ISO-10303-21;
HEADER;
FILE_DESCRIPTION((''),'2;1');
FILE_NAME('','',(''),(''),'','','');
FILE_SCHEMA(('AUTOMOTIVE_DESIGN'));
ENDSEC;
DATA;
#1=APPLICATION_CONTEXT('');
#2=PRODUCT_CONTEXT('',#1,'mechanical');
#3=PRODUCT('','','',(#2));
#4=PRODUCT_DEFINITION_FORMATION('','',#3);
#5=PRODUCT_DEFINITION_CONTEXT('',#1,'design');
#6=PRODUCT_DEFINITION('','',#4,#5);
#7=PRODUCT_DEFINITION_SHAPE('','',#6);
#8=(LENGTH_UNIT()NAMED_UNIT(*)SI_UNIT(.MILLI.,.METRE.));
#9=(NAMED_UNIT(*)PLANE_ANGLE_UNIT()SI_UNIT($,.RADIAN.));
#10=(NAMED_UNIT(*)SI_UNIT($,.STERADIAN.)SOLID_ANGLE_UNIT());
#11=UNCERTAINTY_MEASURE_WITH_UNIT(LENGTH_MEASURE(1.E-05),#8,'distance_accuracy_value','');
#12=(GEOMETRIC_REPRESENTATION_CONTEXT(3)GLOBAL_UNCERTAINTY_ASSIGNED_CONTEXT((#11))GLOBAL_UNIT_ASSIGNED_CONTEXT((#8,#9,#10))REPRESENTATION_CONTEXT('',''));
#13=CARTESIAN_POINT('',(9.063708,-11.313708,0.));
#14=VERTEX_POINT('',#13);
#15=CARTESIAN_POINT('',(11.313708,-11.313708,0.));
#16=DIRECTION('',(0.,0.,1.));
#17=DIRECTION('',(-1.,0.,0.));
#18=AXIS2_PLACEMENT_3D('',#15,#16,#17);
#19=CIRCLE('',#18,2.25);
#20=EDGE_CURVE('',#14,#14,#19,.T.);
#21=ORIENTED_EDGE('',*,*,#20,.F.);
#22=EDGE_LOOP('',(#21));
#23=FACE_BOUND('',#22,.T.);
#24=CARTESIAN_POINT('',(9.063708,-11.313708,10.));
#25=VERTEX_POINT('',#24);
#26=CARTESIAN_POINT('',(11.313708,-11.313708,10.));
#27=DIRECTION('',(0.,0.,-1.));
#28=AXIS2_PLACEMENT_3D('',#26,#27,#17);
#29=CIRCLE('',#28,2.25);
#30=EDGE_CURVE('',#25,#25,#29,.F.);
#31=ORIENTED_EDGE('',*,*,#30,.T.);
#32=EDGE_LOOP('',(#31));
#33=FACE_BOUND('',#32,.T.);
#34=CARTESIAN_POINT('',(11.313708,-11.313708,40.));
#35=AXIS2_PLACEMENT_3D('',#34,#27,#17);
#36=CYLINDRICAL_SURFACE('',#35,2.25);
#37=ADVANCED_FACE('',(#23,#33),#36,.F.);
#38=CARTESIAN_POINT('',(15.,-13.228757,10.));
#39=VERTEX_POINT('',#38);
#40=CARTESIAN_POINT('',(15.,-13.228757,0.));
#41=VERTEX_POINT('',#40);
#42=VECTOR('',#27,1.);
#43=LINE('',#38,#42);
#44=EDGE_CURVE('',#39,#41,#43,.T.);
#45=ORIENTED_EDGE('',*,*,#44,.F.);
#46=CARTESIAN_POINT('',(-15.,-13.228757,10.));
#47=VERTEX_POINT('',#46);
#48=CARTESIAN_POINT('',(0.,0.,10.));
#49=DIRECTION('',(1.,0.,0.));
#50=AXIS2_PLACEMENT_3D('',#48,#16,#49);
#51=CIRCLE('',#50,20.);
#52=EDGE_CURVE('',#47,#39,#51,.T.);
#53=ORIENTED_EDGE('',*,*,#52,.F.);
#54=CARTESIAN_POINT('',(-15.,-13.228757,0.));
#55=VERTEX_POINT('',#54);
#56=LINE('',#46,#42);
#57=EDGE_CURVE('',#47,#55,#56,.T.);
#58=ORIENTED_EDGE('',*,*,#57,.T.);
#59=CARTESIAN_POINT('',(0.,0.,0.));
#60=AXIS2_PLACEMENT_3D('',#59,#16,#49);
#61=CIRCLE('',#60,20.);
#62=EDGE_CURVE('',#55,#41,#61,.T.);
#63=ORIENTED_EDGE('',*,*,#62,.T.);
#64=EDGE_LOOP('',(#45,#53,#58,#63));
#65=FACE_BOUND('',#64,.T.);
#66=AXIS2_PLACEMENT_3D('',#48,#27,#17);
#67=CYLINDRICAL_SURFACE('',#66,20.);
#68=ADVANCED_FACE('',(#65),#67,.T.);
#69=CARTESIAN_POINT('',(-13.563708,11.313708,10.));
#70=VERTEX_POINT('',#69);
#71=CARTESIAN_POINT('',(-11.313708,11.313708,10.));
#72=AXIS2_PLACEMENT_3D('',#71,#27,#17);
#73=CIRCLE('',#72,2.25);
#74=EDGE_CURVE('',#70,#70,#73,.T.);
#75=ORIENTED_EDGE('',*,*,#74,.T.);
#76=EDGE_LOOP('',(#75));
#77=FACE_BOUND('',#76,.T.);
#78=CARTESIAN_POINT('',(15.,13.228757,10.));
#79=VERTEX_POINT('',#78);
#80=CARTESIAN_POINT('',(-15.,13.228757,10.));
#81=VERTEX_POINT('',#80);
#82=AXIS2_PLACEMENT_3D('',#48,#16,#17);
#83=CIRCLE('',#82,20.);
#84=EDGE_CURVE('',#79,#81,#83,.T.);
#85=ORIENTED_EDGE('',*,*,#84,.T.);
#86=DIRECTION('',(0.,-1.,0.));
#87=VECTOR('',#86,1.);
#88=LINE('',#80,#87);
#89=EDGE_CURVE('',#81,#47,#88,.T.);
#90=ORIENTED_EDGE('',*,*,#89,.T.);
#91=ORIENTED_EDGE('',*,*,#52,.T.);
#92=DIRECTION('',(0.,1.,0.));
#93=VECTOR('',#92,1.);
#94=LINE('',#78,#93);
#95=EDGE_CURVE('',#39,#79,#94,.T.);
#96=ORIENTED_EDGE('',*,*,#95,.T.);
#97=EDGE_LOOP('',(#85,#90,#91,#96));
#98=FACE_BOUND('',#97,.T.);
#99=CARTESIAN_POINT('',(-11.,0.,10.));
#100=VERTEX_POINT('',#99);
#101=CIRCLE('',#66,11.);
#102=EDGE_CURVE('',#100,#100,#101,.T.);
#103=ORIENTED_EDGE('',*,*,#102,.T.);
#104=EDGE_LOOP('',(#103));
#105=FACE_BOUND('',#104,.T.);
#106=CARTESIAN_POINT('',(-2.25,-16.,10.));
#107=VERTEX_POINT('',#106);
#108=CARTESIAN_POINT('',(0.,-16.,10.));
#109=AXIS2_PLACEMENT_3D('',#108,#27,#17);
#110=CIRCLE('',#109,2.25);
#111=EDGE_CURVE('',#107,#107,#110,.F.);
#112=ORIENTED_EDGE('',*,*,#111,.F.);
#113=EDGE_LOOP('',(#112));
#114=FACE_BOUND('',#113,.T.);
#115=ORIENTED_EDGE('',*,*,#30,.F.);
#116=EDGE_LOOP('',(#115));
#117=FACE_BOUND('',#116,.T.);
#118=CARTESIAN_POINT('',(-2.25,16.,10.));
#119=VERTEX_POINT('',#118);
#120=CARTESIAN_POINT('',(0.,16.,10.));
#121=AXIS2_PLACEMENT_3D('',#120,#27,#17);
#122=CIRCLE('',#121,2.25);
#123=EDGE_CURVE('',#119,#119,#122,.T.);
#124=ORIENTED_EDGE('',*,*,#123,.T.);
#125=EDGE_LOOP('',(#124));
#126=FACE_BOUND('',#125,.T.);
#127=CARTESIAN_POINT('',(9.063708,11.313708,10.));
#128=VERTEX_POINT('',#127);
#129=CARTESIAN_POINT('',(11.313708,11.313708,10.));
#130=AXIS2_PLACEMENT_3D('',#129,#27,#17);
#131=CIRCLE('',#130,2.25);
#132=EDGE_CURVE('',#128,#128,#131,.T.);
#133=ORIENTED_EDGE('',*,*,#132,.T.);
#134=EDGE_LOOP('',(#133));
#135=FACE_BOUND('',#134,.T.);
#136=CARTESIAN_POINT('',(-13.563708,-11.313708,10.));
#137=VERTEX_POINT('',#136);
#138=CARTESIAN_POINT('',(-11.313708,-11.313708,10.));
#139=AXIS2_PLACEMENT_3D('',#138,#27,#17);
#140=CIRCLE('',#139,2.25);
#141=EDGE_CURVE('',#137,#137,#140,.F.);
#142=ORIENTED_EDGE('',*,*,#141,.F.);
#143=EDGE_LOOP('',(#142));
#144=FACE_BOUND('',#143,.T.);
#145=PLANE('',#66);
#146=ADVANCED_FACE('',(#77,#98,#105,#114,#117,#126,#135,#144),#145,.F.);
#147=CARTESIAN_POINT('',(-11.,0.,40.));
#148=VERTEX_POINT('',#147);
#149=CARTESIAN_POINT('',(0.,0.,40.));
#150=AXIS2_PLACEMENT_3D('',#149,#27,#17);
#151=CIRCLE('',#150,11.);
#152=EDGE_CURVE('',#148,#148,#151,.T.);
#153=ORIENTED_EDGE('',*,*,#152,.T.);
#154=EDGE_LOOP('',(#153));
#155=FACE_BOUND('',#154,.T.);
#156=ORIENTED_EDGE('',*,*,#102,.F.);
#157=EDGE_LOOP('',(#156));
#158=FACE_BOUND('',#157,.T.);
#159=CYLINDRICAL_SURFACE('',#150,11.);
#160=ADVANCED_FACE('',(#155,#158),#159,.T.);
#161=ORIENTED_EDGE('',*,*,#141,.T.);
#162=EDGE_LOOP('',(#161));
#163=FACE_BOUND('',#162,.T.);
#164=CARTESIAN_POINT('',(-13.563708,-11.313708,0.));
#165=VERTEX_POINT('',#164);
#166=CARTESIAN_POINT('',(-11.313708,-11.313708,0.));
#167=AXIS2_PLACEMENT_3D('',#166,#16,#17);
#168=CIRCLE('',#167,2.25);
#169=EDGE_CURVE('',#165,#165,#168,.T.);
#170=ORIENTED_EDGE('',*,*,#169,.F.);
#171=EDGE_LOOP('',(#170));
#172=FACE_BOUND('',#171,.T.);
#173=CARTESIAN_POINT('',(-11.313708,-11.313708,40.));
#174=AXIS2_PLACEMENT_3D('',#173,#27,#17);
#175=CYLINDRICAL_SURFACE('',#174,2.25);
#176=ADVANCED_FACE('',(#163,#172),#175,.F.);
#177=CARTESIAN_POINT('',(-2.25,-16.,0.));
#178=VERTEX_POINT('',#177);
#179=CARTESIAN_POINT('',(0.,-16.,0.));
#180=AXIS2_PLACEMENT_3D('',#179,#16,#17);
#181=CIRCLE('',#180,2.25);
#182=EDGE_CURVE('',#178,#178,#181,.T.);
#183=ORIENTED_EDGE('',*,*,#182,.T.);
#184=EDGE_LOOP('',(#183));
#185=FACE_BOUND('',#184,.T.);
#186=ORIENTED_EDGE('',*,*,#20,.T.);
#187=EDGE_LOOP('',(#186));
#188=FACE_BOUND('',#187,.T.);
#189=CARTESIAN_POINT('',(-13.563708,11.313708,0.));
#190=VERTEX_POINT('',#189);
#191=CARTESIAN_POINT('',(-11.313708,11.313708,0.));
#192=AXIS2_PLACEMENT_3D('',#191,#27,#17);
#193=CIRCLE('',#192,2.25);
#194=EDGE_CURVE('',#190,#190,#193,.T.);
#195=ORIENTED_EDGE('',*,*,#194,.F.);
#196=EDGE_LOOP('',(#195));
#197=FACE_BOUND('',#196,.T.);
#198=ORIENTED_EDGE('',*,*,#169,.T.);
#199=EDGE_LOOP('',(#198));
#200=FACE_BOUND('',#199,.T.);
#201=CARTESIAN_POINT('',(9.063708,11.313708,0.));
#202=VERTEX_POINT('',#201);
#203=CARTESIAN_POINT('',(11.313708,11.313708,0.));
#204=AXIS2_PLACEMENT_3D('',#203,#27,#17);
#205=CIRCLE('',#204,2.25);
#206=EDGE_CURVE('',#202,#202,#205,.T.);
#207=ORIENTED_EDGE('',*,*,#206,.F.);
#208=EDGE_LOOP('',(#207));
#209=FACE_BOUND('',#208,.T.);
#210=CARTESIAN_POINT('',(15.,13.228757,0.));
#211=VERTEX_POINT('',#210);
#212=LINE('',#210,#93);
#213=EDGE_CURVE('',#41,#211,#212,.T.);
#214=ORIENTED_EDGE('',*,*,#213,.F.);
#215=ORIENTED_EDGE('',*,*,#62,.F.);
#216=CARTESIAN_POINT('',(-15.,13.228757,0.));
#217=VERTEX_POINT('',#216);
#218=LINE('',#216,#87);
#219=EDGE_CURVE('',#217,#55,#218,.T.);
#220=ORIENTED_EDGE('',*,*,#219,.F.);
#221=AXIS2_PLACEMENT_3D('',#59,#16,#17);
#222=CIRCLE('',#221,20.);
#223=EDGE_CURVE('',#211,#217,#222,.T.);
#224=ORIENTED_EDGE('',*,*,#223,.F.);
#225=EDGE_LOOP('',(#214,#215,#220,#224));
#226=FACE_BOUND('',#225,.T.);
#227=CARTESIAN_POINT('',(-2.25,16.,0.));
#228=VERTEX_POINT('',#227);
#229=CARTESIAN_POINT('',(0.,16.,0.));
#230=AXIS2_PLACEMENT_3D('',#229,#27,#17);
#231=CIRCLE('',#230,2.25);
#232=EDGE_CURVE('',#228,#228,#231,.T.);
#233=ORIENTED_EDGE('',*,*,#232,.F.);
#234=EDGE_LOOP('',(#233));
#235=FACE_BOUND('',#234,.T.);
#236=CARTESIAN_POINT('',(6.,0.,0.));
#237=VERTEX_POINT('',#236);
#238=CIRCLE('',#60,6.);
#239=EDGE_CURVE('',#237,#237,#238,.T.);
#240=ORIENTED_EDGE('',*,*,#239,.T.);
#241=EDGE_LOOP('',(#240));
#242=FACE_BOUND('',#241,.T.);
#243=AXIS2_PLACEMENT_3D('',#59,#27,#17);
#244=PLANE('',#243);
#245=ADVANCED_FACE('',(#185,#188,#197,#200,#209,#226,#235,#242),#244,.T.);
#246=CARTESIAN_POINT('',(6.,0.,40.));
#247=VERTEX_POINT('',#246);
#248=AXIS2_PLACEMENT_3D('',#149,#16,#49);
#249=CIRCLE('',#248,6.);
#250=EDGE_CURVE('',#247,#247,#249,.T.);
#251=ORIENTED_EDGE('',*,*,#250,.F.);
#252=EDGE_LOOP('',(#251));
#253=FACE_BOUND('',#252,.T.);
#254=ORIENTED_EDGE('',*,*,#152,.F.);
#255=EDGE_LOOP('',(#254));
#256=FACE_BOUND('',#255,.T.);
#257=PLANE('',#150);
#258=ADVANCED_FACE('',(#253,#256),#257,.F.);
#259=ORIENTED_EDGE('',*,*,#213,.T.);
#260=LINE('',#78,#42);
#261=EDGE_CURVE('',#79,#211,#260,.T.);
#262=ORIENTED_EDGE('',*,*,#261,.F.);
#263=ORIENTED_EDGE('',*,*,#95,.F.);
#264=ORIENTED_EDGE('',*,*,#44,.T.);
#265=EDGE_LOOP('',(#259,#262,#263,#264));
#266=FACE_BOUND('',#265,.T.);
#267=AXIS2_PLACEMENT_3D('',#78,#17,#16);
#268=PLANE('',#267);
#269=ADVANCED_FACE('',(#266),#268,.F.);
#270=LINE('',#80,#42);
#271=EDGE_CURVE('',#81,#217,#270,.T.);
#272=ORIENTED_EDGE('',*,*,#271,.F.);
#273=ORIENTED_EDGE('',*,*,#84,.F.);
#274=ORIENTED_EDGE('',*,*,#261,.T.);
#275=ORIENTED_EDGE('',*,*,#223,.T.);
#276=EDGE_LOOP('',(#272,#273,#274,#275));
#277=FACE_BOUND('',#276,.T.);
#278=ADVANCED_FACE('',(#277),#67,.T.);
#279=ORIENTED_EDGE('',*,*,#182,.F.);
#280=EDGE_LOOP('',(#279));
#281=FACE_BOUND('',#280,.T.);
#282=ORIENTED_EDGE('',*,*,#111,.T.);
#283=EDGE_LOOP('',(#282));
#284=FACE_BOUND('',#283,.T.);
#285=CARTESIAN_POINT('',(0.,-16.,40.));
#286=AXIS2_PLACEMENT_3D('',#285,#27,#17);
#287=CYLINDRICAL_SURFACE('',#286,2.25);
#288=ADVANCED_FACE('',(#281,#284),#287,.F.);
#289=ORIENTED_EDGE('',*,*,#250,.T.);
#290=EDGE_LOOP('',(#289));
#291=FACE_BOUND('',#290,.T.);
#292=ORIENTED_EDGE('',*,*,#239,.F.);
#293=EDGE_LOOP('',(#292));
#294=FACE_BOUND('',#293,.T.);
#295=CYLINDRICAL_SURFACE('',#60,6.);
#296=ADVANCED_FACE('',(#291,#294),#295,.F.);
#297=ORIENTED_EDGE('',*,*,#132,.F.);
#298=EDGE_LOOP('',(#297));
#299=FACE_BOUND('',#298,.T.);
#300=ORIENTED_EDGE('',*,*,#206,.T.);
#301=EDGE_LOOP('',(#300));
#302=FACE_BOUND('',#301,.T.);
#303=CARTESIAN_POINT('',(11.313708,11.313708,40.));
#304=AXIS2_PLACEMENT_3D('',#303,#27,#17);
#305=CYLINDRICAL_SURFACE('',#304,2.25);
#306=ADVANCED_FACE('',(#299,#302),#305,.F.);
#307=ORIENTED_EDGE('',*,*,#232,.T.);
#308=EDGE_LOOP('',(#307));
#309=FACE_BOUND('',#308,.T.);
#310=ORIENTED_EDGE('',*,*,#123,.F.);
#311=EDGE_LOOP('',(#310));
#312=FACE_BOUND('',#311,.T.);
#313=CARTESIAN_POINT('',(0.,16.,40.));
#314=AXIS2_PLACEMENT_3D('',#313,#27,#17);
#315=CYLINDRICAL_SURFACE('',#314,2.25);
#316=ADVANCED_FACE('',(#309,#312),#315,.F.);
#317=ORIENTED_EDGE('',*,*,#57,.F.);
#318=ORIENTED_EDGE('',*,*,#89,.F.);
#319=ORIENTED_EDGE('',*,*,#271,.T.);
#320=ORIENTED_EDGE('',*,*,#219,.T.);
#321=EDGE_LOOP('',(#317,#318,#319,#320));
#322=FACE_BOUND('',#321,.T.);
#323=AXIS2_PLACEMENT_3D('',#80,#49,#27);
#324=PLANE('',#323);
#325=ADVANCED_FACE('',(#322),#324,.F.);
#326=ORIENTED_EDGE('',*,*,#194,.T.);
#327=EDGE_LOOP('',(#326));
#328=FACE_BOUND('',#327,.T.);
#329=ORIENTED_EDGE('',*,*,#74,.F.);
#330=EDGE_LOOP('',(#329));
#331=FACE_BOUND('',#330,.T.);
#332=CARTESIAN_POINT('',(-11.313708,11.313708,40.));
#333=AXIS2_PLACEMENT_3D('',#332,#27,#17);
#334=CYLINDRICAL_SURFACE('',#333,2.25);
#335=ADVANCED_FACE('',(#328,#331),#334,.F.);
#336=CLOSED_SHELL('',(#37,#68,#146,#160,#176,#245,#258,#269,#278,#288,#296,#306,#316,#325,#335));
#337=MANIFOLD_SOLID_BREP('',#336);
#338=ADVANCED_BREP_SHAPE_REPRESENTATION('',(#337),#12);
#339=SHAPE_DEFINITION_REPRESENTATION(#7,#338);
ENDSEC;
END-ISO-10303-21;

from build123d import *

# Parameters (mm, degrees)
BOSS_EXTRUDE1_DEPTH = 10
SKETCH2_R           = 11
BOSS_EXTRUDE2_DEPTH = 40
SKETCH3_R           = 6
CUT_EXTRUDE1_DEPTH  = 48.16990566
SKETCH4_R           = 2.25
CUT_EXTRUDE2_DEPTH  = 48.16990566


with BuildPart() as part:
    # Sketch1 → Boss-Extrude1 (new body)
    with BuildSketch(Plane.XY):
        with BuildLine():
            Line((-15, 13.228756555), (-15, -13.228756555))
            ThreePointArc((-15, -13.228756555), (0, -20), (15, -13.228756555))
            Line((15, -13.228756555), (15, 13.228756555))
            ThreePointArc((15, 13.228756555), (0, 20), (-15, 13.228756555))
        make_face()
    extrude(amount=BOSS_EXTRUDE1_DEPTH)

    # Sketch2 → Boss-Extrude2 (add)
    with BuildSketch(Plane(origin=(0, 0, 0), x_dir=(-1, 0, 0), z_dir=(0, 0, -1))):
        Circle(SKETCH2_R)
    extrude(amount=-BOSS_EXTRUDE2_DEPTH)

    # Sketch3 → Cut-Extrude1 (cut, through all)
    with BuildSketch(Plane.XY.offset(40)):
        Circle(SKETCH3_R)
    extrude(amount=-CUT_EXTRUDE1_DEPTH, mode=Mode.SUBTRACT)

    # Sketch4 → Cut-Extrude2 (cut, through all)
    with BuildSketch(Plane(origin=(0, 0, 0), x_dir=(-1, 0, 0), z_dir=(0, 0, -1))):
        with Locations((-11.313708499, 11.313708499)):
            Circle(SKETCH4_R)
        with Locations((0, 16)):
            Circle(SKETCH4_R)
        with Locations((11.313708499, 11.313708499)):
            Circle(SKETCH4_R)
    cut_extrude2 = extrude(amount=-CUT_EXTRUDE2_DEPTH, mode=Mode.SUBTRACT)

    # Mirror1: Cut-Extrude2 across plane
    add(cut_extrude2.mirror(Plane.ZX), mode=Mode.SUBTRACT)


solid = part.part
